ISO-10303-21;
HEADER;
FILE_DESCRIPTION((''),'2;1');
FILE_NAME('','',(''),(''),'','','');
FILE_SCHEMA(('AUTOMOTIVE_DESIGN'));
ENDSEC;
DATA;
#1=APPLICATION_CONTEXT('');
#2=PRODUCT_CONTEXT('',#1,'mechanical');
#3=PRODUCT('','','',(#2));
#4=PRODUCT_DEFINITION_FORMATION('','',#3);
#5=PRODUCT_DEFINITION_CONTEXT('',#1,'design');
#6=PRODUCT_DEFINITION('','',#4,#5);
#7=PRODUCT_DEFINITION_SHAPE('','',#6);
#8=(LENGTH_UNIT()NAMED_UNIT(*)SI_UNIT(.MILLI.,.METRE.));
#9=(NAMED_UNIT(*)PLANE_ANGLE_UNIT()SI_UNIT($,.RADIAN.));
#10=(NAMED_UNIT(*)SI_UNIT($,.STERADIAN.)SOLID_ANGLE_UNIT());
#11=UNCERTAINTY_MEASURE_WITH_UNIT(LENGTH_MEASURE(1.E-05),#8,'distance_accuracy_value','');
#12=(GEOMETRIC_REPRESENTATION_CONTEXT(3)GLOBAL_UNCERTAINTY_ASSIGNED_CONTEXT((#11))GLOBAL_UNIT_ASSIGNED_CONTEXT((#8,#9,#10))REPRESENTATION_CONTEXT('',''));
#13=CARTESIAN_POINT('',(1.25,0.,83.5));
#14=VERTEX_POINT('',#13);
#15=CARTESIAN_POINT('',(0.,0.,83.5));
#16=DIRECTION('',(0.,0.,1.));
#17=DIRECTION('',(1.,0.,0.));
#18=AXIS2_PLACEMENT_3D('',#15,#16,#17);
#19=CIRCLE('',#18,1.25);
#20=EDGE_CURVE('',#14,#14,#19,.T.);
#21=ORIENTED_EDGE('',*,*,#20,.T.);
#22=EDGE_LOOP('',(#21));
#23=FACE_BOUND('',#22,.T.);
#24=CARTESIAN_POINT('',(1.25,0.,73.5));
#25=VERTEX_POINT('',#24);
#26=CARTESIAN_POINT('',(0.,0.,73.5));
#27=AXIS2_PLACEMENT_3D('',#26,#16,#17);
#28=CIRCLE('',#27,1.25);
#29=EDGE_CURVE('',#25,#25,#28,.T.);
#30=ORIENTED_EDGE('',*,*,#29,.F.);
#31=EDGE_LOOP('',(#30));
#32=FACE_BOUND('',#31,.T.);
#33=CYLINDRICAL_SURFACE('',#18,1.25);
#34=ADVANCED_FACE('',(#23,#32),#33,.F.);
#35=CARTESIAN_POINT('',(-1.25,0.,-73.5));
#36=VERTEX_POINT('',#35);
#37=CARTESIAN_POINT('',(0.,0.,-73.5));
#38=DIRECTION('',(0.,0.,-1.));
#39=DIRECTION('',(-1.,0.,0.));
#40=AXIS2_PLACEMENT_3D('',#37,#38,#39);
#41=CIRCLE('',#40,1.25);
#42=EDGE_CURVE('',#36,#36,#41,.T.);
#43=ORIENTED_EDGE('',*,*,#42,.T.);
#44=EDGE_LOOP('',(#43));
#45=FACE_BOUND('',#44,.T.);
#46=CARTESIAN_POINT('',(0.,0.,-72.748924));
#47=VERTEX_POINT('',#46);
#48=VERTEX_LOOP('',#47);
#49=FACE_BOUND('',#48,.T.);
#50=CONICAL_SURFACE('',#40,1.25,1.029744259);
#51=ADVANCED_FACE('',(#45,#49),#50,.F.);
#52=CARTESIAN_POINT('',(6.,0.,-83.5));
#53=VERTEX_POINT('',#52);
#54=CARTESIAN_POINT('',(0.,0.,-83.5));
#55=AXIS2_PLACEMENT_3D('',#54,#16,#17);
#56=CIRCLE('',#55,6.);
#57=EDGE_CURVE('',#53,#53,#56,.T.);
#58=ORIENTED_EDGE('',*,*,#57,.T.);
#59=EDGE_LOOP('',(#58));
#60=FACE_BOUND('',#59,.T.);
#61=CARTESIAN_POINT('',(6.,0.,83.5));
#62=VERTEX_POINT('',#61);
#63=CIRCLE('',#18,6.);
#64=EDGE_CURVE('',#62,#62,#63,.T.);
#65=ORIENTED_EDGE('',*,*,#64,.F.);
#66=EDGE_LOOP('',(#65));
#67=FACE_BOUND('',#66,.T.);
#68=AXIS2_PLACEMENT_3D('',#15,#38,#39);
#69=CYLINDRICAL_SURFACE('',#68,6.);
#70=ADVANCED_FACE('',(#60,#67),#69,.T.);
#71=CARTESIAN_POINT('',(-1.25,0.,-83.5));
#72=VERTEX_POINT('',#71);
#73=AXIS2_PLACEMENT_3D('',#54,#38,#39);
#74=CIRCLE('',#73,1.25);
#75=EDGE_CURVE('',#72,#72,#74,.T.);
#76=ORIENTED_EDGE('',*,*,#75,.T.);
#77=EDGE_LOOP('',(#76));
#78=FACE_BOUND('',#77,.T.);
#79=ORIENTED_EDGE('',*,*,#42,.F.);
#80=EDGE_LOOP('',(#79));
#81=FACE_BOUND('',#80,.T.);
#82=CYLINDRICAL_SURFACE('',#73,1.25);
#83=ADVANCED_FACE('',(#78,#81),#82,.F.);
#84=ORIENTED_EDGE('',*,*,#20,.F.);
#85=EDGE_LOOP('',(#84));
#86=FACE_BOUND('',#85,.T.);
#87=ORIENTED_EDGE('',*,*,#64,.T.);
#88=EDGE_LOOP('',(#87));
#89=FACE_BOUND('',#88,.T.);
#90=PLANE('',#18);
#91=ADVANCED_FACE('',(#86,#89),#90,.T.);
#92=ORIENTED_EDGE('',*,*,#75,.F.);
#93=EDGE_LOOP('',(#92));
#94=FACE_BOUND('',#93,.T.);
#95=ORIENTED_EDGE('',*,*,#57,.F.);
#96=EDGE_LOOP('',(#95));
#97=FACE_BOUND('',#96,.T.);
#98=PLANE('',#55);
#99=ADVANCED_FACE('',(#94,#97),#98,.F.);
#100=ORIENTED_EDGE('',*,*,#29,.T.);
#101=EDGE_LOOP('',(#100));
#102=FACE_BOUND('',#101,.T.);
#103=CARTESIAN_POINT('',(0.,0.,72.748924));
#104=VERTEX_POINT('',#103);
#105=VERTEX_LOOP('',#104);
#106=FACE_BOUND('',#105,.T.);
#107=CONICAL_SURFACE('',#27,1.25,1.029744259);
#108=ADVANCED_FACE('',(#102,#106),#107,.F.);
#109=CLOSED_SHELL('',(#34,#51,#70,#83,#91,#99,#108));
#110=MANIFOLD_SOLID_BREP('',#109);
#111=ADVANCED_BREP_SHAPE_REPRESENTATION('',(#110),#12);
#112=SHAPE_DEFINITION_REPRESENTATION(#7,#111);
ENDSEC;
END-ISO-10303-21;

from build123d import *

# Parameters (mm, degrees)
SKETCH2_R           = 6
BOSS_EXTRUDE1_DEPTH = 83.5


with BuildPart() as part:
    # Sketch2 → Boss-Extrude1 (new body, symmetric)
    with BuildSketch(Plane.XY):
        Circle(SKETCH2_R)
    extrude(amount=BOSS_EXTRUDE1_DEPTH, both=True)

    # Sketch4 → Tap Drill for M3x0.5 Tap1 (revolve, cut)
    with BuildSketch(Plane(origin=(0, 0, 83.5), x_dir=(0, -1, 0), z_dir=(1, 0, 0))):
        Polygon((0, 0), (0, 10.751075774), (1.25, 10), (1.25, 0), align=None)
    tap_drill_for_m3x0_5_tap1 = revolve(axis=Axis((0, 0, 89.85), (0, 0, -1)), mode=Mode.SUBTRACT)

    # Mirror1: Tap Drill for M3x0.5 Tap1 across plane
    add(tap_drill_for_m3x0_5_tap1.mirror(Plane.XY), mode=Mode.SUBTRACT)


solid = part.part
